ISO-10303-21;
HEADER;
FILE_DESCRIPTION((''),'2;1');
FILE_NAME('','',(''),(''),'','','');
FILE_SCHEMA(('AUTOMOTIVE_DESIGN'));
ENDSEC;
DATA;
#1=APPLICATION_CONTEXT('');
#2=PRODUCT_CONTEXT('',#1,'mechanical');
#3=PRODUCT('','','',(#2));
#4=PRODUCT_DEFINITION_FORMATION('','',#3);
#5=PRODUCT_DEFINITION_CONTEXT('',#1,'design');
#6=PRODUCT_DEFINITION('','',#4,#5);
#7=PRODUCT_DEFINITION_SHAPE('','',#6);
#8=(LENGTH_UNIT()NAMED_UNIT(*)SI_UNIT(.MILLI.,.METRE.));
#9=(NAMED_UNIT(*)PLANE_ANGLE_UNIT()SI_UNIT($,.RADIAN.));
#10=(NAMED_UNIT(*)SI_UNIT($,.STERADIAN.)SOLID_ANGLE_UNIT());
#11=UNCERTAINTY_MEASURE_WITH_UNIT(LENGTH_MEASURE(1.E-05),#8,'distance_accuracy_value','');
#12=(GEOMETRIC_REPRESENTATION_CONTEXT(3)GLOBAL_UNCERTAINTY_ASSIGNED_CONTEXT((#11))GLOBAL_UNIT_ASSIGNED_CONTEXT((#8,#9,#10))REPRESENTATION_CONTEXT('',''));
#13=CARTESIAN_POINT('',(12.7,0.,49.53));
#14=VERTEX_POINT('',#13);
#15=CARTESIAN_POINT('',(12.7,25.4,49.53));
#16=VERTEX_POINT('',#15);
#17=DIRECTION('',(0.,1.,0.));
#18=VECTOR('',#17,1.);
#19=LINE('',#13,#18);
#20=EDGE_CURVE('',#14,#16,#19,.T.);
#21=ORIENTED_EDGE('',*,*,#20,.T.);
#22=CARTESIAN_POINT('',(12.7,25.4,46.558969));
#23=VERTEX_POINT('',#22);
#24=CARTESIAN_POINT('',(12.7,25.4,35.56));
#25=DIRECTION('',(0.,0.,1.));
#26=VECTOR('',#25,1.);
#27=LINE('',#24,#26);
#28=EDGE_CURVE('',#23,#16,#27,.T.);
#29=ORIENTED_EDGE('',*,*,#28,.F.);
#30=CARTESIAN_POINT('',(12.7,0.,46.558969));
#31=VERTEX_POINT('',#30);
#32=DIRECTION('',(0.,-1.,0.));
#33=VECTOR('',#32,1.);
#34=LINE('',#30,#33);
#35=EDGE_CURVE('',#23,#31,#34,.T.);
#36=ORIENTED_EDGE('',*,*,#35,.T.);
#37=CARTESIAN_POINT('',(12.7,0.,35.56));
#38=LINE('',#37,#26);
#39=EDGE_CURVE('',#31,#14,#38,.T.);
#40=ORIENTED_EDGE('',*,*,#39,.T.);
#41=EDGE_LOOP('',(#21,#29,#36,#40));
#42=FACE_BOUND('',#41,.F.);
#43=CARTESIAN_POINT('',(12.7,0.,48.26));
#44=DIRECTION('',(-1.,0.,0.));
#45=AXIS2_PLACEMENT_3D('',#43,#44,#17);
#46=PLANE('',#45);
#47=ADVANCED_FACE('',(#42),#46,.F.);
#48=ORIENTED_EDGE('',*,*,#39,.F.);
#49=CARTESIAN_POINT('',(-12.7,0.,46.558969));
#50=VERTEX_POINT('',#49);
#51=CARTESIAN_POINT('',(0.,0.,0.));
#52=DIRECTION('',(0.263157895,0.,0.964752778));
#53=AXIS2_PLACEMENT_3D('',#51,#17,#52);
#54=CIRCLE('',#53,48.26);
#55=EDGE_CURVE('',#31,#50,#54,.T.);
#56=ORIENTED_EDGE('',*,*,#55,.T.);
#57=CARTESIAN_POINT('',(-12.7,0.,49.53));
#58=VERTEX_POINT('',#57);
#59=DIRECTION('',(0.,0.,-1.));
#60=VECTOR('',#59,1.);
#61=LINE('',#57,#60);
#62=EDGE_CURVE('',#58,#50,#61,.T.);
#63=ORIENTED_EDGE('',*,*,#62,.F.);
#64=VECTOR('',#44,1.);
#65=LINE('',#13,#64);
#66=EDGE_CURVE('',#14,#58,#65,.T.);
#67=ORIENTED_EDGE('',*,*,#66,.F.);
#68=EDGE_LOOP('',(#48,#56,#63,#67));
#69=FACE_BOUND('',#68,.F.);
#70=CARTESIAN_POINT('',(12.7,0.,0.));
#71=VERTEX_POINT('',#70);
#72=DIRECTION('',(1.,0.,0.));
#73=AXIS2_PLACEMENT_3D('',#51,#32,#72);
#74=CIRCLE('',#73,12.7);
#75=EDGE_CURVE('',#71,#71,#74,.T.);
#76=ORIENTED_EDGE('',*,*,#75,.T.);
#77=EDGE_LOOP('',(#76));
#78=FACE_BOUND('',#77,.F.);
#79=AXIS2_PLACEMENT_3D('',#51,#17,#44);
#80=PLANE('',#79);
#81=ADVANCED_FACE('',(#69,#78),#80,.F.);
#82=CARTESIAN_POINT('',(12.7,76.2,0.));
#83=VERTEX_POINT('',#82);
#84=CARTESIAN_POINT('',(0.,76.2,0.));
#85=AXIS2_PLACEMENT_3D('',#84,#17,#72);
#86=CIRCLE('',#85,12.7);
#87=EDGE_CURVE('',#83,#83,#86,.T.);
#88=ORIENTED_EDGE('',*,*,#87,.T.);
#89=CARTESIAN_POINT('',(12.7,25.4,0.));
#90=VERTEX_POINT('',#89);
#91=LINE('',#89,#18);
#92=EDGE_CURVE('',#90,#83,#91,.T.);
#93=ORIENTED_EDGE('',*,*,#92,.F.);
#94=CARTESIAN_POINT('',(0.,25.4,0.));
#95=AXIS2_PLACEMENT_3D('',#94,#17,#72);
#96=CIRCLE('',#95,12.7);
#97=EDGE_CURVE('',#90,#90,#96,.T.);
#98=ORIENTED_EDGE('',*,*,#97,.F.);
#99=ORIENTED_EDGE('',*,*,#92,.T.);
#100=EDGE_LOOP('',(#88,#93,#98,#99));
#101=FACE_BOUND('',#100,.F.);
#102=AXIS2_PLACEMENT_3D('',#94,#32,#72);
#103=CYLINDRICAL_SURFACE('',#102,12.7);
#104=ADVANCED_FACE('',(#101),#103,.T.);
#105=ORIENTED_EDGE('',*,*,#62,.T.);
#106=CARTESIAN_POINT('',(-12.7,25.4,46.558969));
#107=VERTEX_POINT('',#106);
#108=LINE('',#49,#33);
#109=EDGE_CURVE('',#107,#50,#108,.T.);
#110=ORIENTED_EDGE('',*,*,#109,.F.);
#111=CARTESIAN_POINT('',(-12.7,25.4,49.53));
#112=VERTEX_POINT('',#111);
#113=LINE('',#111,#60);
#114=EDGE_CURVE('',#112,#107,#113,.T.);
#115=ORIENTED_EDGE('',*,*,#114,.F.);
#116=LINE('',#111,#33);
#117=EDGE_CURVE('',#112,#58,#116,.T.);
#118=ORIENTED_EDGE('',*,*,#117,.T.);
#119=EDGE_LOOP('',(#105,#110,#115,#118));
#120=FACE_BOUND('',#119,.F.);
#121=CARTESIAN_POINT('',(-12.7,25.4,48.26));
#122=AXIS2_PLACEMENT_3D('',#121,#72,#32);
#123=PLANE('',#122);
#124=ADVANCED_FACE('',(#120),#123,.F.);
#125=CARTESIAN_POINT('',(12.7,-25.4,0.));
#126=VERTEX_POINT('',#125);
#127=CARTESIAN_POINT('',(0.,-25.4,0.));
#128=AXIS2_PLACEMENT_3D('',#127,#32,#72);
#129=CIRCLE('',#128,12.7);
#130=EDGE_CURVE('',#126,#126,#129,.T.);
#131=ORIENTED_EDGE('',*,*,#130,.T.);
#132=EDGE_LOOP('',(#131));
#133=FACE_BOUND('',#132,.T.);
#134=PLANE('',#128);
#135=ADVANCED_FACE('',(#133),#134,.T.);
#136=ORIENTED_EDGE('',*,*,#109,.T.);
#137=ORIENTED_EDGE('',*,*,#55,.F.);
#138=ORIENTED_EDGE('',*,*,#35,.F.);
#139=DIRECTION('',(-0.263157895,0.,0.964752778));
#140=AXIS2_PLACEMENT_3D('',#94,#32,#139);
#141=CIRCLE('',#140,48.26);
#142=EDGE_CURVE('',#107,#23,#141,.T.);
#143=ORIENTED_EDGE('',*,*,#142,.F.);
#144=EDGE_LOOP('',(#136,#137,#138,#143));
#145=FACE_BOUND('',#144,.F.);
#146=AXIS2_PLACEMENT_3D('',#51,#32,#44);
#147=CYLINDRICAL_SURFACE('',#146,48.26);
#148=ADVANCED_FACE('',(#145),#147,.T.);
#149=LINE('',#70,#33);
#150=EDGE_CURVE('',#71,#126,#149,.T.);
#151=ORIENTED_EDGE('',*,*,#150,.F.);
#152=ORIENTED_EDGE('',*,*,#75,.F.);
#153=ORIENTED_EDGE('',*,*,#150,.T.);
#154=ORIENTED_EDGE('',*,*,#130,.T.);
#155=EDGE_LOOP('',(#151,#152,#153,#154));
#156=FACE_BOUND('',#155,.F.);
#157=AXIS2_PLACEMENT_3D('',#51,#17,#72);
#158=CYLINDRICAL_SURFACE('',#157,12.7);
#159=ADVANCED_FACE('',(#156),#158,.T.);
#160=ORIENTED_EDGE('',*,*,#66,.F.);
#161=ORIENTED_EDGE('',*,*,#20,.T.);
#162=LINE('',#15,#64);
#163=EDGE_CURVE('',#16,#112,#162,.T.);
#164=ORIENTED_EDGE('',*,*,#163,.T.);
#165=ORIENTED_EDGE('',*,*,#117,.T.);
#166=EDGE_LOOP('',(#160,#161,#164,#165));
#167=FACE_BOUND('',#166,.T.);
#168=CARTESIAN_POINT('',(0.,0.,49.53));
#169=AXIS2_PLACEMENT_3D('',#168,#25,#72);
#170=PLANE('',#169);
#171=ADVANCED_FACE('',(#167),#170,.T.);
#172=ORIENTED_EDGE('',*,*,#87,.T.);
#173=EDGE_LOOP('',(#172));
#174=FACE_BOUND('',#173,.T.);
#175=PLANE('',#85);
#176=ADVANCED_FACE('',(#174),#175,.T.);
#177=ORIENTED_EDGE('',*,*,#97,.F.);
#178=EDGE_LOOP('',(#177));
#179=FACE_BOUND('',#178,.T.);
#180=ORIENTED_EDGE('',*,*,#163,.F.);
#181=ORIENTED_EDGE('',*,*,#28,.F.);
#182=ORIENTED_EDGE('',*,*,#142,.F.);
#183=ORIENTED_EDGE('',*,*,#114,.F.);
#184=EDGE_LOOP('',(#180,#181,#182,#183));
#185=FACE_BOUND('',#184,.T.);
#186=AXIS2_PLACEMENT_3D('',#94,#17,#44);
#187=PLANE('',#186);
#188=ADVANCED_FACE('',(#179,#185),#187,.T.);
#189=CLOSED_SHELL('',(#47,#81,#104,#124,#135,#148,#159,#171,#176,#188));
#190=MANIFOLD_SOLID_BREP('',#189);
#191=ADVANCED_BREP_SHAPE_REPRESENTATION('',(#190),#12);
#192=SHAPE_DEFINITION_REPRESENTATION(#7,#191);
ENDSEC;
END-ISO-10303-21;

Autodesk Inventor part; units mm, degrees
ref_plane "YZ Plane" through (0, 0, 0) normal (1, 0, 0) x (0, 1, 0)
ref_plane "XZ Plane" through (0, 0, 0) normal (0, 1, 0) x (-1, 0, 0)
sketch "Sketch1" plane through (0, 0, 0) normal (0, 1, 0) x (-1, 0, 0)
  circle A0 centre (0, 0) radius 48.26
  dimension "d0" = 96.52
extrude "Extrusion1" add sketch "Sketch1" along normal blind 25.4
sketch "Sketch2" plane through (0, 25.4, 0) normal (0, 1, 0) x (1, 0, 0)
  circle A0 centre (0, 0) radius 12.7
  dimension "d3" = 25.4
extrude "Extrusion2" add sketch "Sketch2" along normal blind 50.8
sketch "Sketch3" plane through (0, 0, 0) normal (0, -1, 0) x (1, 0, 0)
  circle A0 centre (0, 0) radius 12.7 projected
  circle A1 centre (0, 0) radius 12.7
extrude "Extrusion3" add sketch "Sketch3" along normal blind 25.4
ref_plane "Work Plane1" through (0, 0, 48.26) normal (0, 0, 1) x (1, 0, 0)
sketch "Sketch4" plane through (0, 0, 48.26) normal (0, 0, 1) x (1, 0, 0)
  line L0 (0, 0) -> (0, 25.4)
  line L1 (0, 0) -> (12.7, 0)
  line L2 (0, 0) -> (-12.7, 0)
  line L3 (12.7, 0) -> (12.7, 25.4)
  line L4 (12.7, 25.4) -> (-12.7, 25.4)
  line L5 (-12.7, 25.4) -> (-12.7, 0)
  line L6 (-48.26, 0) -> (48.26, 0) projected
  dimension "d9" = 12.7
  dimension "d10" = 25.4
  dimension "d11" = 12.7
extrude "Extrusion4" add sketch "Sketch4" along normal blind 1.27 and the other way blind 12.7
properties part number "T100 rough draft"
